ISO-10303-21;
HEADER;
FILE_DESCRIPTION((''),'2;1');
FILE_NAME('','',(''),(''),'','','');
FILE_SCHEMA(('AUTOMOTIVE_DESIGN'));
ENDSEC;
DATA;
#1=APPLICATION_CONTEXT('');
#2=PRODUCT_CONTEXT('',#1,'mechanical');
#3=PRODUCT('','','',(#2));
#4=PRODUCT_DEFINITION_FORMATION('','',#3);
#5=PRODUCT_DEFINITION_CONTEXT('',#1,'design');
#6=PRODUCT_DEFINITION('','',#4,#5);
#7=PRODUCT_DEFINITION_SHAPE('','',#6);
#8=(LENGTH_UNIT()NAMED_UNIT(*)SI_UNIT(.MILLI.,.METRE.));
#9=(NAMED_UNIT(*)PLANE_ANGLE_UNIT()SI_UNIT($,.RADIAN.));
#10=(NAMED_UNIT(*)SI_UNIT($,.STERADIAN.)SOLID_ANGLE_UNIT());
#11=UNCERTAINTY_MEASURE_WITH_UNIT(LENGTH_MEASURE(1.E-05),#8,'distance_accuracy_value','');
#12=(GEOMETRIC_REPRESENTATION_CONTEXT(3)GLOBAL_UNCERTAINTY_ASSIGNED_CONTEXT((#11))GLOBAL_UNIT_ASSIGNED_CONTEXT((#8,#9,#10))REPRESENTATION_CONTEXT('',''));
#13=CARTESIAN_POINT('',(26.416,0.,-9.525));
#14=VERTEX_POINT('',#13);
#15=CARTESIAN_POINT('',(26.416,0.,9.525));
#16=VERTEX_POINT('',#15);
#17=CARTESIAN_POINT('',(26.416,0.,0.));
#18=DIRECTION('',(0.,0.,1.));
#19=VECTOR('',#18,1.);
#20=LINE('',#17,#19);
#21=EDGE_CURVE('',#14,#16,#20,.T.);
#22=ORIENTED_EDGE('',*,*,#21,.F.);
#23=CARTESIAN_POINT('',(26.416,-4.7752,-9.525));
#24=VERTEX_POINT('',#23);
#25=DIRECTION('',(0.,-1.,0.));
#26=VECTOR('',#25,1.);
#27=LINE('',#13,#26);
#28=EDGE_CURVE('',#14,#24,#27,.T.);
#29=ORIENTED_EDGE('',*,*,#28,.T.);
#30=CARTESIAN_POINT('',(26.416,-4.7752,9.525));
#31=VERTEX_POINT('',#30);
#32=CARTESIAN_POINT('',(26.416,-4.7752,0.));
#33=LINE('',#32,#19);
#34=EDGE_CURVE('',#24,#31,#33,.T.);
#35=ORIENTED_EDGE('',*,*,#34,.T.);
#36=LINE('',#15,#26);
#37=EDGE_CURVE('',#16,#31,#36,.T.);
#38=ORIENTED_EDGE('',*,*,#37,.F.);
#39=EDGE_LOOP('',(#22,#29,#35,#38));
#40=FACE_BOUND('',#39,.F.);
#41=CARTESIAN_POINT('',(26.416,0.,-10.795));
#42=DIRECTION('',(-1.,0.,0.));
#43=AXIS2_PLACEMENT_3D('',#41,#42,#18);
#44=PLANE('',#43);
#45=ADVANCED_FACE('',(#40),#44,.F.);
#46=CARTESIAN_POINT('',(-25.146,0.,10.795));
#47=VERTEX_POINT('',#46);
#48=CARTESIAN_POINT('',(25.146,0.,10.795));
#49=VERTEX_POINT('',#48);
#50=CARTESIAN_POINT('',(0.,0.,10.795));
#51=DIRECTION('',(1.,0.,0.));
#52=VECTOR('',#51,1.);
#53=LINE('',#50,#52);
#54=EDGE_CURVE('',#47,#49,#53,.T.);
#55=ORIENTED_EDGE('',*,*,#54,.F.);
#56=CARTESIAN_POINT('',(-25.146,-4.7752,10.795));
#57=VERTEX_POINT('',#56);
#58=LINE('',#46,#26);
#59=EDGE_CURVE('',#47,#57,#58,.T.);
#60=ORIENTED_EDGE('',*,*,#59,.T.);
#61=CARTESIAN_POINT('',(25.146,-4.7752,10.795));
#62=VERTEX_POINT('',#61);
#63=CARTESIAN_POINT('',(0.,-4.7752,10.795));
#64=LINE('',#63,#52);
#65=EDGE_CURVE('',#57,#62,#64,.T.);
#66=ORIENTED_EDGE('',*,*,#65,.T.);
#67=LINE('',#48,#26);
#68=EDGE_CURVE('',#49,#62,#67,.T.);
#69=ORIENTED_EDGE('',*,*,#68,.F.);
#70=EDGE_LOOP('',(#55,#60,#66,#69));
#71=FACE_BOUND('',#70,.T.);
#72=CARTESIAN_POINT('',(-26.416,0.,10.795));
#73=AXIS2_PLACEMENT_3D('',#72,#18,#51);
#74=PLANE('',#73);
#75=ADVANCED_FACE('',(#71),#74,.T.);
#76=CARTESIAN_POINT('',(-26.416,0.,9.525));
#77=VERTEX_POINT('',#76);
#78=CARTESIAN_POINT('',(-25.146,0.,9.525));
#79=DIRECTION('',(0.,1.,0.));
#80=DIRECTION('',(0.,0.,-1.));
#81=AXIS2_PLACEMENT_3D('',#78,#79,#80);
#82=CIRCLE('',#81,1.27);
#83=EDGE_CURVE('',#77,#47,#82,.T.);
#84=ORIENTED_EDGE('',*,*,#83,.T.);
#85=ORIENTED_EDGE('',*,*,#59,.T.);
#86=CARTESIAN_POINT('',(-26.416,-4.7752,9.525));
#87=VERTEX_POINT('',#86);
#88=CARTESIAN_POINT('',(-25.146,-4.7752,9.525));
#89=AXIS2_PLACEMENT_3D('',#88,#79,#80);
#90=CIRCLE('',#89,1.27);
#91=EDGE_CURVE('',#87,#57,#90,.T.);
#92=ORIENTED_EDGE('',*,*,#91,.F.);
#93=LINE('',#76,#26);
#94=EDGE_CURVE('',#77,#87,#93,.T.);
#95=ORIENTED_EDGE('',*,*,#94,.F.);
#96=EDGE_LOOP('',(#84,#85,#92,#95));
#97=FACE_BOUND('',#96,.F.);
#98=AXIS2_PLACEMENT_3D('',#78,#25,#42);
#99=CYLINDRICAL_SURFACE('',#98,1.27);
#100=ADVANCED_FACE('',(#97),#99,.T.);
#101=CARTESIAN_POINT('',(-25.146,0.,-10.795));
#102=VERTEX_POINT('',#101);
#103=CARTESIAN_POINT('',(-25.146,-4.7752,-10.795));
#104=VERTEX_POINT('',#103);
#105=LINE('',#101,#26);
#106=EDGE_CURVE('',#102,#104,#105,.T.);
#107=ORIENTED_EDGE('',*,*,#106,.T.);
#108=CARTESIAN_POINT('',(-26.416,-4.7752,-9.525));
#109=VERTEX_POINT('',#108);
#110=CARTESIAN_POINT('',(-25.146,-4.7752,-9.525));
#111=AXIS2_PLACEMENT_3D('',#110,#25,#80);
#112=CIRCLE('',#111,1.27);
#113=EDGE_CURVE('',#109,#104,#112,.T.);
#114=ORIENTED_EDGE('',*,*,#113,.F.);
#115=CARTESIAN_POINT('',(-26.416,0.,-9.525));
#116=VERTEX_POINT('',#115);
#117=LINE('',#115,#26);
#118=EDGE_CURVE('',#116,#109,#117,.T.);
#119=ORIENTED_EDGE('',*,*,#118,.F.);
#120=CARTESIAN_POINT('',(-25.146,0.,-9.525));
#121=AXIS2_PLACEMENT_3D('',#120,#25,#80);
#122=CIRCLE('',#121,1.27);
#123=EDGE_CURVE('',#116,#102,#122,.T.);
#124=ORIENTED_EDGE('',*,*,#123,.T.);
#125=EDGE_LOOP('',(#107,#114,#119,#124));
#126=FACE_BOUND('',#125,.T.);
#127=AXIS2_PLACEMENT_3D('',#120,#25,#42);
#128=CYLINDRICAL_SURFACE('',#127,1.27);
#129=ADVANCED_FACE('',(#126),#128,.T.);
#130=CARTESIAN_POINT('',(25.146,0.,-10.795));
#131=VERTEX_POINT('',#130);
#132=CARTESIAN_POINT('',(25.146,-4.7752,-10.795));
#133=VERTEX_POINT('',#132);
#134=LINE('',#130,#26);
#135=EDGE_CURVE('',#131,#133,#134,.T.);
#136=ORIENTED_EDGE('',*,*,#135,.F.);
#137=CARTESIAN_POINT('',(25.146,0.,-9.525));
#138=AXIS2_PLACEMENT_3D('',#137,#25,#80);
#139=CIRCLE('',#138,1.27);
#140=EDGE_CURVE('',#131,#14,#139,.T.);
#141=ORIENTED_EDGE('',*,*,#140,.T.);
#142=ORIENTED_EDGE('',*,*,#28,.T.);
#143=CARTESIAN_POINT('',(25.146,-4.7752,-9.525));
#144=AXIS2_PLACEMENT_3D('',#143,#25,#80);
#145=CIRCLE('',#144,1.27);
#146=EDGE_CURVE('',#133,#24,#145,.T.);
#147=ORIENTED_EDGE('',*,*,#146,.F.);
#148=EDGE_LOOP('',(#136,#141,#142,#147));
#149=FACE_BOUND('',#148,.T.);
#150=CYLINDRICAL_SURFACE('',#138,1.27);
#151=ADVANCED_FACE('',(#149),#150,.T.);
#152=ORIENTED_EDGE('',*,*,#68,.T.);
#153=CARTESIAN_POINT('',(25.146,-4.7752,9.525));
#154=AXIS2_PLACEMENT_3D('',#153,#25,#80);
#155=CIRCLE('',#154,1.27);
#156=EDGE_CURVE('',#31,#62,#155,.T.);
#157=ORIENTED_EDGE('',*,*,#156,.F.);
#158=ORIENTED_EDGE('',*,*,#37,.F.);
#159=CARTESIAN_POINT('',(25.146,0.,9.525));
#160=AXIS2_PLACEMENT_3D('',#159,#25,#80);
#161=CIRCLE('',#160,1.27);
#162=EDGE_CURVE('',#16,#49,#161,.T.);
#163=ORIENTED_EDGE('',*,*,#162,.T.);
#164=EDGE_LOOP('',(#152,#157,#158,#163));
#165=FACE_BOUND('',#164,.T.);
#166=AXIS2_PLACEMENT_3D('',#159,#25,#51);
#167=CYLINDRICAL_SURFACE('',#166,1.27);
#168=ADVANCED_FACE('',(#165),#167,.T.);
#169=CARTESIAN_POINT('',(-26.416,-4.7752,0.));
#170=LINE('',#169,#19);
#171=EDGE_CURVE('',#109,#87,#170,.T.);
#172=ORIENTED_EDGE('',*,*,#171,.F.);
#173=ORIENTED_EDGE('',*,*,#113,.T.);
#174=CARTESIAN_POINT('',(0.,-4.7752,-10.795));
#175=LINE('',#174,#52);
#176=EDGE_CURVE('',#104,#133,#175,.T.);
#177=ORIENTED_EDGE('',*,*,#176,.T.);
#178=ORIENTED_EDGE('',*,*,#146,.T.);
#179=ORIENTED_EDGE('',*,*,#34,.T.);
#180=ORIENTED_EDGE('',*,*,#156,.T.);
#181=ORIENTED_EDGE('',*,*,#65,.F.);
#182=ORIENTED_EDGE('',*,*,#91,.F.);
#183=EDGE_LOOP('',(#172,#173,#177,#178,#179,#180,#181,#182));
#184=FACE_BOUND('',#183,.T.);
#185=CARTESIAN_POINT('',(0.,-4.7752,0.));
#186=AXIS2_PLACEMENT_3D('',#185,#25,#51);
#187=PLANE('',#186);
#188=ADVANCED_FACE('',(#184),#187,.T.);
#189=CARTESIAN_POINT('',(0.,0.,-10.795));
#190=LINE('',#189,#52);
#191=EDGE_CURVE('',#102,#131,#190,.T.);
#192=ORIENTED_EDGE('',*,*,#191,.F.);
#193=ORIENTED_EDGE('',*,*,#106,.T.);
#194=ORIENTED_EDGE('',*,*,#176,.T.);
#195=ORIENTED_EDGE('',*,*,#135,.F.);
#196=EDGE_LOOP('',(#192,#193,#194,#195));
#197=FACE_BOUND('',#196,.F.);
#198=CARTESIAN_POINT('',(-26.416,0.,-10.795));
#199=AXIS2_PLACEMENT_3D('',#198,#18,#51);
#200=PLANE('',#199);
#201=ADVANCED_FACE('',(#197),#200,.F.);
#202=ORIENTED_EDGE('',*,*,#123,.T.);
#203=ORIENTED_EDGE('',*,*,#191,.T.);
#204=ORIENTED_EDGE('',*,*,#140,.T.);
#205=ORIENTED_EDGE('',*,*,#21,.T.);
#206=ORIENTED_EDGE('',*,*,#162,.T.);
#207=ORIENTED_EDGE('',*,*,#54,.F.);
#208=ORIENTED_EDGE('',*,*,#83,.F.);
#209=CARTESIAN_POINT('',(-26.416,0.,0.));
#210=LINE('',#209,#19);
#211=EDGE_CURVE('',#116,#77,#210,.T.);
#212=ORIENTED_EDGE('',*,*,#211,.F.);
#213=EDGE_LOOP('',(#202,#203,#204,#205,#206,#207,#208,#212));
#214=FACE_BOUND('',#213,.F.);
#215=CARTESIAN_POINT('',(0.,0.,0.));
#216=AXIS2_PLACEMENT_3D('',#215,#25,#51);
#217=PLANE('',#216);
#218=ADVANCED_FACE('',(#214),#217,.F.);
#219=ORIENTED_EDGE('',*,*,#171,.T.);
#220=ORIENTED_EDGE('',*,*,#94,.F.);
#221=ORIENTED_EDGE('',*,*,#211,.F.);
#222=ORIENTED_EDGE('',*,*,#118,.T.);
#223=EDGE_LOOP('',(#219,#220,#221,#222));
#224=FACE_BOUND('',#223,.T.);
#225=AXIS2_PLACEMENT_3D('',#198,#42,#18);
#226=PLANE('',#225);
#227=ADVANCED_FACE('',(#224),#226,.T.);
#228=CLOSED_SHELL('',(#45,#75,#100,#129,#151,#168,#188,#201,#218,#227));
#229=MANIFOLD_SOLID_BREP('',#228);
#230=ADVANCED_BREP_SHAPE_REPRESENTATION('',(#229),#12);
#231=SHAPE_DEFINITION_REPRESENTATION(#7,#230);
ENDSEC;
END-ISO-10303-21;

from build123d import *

# Parameters (mm, degrees)
F0_W     = 52.832
F0_H     = 21.59
F1_DEPTH = 4.7752
F2_R     = 1.27


with BuildPart() as f1:
    # F0 (on Front) → F1 (new body)
    with BuildSketch(Plane.XZ):
        Rectangle(F0_W, F0_H)
    extrude(amount=F1_DEPTH)

    # F2
    f2_edges = [f1.edges().sort_by_distance(p)[0] for p in [
        (-26.416, -2.3876, 10.795),
        (26.416, -2.3876, 10.795),
        (26.416, -2.3876, -10.795),
        (-26.416, -2.3876, -10.795),
    ]]
    fillet(f2_edges, radius=F2_R)


with BuildPart() as f3_1:
    # F3: copy of F1
    add(f1.part)


solid = f1.part
